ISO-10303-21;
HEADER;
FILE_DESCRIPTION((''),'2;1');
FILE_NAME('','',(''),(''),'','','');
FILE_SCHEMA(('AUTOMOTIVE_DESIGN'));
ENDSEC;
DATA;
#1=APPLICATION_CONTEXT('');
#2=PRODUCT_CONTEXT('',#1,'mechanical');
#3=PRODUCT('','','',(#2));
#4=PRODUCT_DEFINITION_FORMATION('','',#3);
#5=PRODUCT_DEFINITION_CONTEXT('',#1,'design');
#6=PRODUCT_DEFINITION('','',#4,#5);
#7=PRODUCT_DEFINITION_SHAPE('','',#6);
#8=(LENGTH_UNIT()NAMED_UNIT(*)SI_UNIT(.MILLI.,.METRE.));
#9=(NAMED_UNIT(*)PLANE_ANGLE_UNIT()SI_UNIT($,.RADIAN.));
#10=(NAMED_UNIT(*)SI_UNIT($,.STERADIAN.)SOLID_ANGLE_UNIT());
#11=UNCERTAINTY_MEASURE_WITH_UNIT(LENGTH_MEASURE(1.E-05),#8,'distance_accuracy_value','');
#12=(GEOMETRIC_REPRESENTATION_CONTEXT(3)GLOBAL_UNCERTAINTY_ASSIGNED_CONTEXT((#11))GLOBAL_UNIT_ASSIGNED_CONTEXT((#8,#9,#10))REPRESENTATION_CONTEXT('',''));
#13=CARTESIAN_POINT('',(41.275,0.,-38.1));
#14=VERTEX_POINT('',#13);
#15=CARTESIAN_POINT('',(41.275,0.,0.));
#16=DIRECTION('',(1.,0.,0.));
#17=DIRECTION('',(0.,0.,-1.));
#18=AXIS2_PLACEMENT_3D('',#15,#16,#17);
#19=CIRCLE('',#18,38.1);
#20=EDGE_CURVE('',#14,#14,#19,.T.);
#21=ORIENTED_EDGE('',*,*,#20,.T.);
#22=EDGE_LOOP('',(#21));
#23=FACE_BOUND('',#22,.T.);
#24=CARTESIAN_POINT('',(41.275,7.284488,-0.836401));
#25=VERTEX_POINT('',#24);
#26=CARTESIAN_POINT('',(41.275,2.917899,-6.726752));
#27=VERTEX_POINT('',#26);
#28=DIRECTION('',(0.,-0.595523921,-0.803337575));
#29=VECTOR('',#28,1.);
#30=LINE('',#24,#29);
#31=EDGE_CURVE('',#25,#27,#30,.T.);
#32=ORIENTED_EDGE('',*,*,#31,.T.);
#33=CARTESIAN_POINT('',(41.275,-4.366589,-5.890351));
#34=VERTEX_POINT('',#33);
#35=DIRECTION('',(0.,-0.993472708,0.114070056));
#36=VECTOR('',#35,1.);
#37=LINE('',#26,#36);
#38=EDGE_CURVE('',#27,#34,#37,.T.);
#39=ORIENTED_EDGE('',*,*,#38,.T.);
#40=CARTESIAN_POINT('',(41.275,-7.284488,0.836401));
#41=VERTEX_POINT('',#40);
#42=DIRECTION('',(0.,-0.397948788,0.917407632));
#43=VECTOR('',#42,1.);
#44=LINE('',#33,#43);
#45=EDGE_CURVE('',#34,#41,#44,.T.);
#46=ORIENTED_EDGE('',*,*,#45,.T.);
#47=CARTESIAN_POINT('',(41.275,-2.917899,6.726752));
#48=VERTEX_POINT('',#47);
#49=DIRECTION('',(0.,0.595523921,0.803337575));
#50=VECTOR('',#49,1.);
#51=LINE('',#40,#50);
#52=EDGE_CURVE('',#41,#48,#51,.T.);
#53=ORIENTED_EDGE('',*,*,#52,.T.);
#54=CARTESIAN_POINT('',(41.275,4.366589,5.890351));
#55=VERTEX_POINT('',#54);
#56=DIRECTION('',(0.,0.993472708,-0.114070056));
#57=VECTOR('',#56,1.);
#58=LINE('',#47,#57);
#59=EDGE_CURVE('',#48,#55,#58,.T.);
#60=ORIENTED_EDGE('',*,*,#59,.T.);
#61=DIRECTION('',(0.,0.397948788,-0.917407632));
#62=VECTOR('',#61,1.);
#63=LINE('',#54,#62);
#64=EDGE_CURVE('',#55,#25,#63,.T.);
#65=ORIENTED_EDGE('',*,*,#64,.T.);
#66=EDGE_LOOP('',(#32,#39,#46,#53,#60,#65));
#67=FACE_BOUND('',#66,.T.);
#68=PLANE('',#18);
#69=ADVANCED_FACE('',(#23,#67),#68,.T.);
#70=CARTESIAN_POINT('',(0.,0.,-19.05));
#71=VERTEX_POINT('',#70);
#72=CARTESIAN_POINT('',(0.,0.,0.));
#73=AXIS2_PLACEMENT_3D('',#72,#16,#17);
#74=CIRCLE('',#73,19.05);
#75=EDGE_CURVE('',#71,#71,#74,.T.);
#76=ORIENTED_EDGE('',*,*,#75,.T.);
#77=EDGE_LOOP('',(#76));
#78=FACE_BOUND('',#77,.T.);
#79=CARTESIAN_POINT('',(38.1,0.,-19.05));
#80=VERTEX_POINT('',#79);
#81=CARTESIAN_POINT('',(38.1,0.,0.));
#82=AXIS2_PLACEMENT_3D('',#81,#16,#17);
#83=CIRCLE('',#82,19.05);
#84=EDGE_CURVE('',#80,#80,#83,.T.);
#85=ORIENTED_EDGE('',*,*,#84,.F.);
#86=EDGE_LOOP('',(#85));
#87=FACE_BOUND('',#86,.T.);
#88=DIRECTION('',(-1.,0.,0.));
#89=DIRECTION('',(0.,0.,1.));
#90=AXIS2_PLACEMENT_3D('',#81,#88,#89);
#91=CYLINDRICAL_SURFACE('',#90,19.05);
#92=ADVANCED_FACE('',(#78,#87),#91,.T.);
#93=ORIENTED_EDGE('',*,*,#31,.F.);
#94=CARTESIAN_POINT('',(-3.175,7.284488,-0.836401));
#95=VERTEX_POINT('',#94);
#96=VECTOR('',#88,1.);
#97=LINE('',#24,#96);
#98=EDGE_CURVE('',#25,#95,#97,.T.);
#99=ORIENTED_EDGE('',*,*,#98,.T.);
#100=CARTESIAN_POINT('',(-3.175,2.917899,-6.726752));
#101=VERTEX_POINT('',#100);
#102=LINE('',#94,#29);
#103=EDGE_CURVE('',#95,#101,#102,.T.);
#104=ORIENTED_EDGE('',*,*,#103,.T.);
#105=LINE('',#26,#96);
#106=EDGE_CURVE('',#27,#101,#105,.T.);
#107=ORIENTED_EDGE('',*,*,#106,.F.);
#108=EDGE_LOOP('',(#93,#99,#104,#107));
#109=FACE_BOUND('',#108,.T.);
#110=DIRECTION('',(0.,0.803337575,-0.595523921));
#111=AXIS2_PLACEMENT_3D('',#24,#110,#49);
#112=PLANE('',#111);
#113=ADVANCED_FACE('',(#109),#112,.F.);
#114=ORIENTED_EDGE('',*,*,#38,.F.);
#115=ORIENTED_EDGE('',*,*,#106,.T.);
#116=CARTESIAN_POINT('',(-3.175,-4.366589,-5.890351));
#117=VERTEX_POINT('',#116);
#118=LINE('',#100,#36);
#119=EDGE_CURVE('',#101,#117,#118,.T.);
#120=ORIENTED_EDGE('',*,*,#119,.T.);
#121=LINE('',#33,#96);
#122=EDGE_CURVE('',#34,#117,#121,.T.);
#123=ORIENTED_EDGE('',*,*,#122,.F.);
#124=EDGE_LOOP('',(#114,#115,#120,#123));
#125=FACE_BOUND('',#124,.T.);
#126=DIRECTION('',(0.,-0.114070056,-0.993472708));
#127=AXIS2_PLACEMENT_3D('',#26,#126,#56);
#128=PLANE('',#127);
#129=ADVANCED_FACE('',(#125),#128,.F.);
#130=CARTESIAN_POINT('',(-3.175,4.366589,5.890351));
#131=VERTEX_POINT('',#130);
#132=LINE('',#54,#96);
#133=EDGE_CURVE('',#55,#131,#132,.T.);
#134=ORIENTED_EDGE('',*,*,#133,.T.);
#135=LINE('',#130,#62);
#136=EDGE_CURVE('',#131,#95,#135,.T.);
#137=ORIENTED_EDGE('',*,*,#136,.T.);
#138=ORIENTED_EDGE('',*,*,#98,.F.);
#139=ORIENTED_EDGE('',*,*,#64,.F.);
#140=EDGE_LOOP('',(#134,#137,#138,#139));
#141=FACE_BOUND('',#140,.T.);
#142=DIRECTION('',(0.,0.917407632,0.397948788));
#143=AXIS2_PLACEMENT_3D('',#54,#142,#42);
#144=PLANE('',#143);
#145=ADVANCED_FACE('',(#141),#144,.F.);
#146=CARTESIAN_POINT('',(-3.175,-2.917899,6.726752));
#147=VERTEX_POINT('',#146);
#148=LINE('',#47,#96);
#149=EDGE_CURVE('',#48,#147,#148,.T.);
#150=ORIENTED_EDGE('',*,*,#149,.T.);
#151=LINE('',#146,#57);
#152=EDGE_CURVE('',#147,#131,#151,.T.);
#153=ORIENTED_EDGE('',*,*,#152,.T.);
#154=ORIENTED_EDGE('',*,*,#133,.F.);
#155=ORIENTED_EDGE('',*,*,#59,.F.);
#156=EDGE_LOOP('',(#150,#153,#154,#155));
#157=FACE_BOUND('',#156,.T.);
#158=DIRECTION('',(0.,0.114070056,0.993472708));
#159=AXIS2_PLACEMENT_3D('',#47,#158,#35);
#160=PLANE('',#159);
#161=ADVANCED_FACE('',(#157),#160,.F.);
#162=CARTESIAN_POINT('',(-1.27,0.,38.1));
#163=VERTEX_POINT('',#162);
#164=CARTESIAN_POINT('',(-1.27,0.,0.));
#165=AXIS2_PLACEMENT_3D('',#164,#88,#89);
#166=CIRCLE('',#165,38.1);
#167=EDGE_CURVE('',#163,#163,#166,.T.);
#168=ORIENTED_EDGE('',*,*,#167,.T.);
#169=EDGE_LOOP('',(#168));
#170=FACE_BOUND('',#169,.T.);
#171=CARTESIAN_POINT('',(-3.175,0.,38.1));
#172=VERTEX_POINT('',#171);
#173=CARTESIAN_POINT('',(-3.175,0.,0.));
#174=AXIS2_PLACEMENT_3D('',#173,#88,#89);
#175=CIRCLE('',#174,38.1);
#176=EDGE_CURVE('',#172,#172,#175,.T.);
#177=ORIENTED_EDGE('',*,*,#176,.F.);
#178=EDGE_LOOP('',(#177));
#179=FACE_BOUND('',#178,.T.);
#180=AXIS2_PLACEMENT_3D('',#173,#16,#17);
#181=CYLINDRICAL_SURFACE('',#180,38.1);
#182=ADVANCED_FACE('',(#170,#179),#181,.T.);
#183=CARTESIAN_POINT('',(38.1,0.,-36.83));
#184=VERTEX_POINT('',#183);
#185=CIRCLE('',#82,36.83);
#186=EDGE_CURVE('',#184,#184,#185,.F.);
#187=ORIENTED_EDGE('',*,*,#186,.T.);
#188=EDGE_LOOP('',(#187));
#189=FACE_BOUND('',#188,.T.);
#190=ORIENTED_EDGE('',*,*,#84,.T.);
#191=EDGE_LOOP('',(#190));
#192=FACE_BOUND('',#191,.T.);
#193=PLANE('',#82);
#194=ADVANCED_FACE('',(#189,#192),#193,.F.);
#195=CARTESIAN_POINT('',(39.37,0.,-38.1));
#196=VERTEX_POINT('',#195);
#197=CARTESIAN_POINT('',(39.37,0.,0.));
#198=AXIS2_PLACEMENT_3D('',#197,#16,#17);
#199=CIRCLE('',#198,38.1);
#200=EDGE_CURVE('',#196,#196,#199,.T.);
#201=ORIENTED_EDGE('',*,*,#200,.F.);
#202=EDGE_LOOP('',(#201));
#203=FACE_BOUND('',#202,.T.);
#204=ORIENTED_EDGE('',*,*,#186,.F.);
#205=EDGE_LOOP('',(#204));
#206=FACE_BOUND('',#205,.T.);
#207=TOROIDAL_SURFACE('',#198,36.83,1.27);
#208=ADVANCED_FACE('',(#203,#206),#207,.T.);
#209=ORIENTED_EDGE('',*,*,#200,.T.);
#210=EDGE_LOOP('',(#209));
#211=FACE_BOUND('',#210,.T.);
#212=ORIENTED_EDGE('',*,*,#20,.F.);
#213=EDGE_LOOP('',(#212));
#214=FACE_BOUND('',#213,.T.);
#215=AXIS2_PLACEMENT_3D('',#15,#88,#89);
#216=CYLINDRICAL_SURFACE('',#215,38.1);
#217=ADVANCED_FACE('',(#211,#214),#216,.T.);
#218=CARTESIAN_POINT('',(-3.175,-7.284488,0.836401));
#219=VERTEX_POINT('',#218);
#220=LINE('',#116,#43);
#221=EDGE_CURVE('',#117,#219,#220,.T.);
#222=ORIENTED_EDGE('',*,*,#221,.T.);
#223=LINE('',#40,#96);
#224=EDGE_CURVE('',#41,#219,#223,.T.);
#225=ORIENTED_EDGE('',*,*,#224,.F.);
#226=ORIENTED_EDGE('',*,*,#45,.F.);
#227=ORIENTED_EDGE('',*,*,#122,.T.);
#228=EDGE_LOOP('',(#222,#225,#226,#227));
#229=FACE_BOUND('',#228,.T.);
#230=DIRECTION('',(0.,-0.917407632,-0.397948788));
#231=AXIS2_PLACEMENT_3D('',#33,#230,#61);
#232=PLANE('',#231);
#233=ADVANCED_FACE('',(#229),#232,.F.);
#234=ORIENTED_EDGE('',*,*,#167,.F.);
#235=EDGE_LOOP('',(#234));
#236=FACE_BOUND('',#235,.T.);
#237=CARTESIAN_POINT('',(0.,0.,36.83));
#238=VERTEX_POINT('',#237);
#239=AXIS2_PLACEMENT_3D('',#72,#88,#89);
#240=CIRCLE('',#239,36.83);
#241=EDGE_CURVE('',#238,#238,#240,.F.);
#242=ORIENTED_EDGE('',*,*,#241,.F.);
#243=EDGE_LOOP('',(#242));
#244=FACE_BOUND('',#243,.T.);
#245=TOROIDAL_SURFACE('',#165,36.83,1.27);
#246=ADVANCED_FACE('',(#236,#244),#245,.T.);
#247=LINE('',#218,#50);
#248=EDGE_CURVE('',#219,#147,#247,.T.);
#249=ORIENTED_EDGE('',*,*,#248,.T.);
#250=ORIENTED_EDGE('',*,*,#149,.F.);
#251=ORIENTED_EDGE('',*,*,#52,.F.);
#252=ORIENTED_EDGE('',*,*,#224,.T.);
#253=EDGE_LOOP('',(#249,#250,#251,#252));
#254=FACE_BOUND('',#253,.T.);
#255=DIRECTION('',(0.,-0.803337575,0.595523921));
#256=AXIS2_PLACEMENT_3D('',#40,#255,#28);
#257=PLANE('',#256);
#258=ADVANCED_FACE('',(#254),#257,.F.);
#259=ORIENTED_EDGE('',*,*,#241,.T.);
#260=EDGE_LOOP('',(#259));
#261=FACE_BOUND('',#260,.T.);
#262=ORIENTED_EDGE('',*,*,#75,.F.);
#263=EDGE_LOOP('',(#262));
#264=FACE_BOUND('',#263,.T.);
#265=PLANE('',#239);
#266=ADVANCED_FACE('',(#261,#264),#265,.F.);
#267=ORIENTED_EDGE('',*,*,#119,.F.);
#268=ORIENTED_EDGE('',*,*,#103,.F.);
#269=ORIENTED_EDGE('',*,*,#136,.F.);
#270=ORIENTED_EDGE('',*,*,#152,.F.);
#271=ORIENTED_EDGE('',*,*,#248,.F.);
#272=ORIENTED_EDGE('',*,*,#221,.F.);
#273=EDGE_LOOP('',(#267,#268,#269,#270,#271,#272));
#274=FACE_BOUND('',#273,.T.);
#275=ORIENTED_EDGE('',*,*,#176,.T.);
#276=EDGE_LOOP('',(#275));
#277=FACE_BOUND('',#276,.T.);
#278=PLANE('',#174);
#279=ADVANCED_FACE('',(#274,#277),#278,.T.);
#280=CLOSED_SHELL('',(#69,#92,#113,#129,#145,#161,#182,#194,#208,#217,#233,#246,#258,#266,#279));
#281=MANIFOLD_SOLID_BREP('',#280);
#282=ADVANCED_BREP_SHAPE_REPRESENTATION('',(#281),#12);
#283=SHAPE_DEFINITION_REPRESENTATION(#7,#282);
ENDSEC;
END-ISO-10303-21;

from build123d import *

# Parameters (mm, degrees)
SKETCH1_R           = 19.05
BOSS_EXTRUDE1_DEPTH = 38.1
SKETCH2_R           = 38.1
BOSS_EXTRUDE2_DEPTH = 3.175
SKETCH3_R           = 38.1
BOSS_EXTRUDE3_DEPTH = 3.175
SKETCH4_R           = 6.35
CUT_EXTRUDE1_DEPTH  = 45.45
FILLET1_R           = 1.27
CUT_EXTRUDE2_DEPTH  = 45.45


with BuildPart() as part:
    # Sketch1 → Boss-Extrude1 (new body)
    with BuildSketch(Plane(origin=(0, 0, 0), x_dir=(0, 0, -1), z_dir=(1, 0, 0))):
        Circle(SKETCH1_R)
    extrude(amount=BOSS_EXTRUDE1_DEPTH)

    # Sketch2 → Boss-Extrude2 (add)
    with BuildSketch(Plane.ZY):
        Circle(SKETCH2_R)
    extrude(amount=BOSS_EXTRUDE2_DEPTH)

    # Sketch3 → Boss-Extrude3 (add)
    with BuildSketch(Plane(origin=(38.1, 0, 0), x_dir=(0, 0, -1), z_dir=(1, 0, 0))):
        Circle(SKETCH3_R)
    extrude(amount=BOSS_EXTRUDE3_DEPTH)

    # Sketch4 → Cut-Extrude1 (cut, through all)
    with BuildSketch(Plane.ZY.offset(3.175)):
        Circle(SKETCH4_R)
    extrude(amount=-CUT_EXTRUDE1_DEPTH, mode=Mode.SUBTRACT)

    # Fillet1
    fillet1_edges = [part.edges().sort_by_distance(p)[0] for p in [
        (0, 0, -38.1),
        (38.1, 0, 38.1),
    ]]
    fillet(fillet1_edges, radius=FILLET1_R)

    # Sketch5 → Cut-Extrude2 (cut, through all)
    with BuildSketch(Plane.ZY.offset(3.175)):
        Polygon((-5.890350999, -4.366588879), (0.836401397, -7.284488042), (6.726752397, -2.917899163), (5.890350999, 4.366588879), (-0.836401397, 7.284488042), (-6.726752397, 2.917899163), align=None)
    extrude(amount=-CUT_EXTRUDE2_DEPTH, mode=Mode.SUBTRACT)


solid = part.part
